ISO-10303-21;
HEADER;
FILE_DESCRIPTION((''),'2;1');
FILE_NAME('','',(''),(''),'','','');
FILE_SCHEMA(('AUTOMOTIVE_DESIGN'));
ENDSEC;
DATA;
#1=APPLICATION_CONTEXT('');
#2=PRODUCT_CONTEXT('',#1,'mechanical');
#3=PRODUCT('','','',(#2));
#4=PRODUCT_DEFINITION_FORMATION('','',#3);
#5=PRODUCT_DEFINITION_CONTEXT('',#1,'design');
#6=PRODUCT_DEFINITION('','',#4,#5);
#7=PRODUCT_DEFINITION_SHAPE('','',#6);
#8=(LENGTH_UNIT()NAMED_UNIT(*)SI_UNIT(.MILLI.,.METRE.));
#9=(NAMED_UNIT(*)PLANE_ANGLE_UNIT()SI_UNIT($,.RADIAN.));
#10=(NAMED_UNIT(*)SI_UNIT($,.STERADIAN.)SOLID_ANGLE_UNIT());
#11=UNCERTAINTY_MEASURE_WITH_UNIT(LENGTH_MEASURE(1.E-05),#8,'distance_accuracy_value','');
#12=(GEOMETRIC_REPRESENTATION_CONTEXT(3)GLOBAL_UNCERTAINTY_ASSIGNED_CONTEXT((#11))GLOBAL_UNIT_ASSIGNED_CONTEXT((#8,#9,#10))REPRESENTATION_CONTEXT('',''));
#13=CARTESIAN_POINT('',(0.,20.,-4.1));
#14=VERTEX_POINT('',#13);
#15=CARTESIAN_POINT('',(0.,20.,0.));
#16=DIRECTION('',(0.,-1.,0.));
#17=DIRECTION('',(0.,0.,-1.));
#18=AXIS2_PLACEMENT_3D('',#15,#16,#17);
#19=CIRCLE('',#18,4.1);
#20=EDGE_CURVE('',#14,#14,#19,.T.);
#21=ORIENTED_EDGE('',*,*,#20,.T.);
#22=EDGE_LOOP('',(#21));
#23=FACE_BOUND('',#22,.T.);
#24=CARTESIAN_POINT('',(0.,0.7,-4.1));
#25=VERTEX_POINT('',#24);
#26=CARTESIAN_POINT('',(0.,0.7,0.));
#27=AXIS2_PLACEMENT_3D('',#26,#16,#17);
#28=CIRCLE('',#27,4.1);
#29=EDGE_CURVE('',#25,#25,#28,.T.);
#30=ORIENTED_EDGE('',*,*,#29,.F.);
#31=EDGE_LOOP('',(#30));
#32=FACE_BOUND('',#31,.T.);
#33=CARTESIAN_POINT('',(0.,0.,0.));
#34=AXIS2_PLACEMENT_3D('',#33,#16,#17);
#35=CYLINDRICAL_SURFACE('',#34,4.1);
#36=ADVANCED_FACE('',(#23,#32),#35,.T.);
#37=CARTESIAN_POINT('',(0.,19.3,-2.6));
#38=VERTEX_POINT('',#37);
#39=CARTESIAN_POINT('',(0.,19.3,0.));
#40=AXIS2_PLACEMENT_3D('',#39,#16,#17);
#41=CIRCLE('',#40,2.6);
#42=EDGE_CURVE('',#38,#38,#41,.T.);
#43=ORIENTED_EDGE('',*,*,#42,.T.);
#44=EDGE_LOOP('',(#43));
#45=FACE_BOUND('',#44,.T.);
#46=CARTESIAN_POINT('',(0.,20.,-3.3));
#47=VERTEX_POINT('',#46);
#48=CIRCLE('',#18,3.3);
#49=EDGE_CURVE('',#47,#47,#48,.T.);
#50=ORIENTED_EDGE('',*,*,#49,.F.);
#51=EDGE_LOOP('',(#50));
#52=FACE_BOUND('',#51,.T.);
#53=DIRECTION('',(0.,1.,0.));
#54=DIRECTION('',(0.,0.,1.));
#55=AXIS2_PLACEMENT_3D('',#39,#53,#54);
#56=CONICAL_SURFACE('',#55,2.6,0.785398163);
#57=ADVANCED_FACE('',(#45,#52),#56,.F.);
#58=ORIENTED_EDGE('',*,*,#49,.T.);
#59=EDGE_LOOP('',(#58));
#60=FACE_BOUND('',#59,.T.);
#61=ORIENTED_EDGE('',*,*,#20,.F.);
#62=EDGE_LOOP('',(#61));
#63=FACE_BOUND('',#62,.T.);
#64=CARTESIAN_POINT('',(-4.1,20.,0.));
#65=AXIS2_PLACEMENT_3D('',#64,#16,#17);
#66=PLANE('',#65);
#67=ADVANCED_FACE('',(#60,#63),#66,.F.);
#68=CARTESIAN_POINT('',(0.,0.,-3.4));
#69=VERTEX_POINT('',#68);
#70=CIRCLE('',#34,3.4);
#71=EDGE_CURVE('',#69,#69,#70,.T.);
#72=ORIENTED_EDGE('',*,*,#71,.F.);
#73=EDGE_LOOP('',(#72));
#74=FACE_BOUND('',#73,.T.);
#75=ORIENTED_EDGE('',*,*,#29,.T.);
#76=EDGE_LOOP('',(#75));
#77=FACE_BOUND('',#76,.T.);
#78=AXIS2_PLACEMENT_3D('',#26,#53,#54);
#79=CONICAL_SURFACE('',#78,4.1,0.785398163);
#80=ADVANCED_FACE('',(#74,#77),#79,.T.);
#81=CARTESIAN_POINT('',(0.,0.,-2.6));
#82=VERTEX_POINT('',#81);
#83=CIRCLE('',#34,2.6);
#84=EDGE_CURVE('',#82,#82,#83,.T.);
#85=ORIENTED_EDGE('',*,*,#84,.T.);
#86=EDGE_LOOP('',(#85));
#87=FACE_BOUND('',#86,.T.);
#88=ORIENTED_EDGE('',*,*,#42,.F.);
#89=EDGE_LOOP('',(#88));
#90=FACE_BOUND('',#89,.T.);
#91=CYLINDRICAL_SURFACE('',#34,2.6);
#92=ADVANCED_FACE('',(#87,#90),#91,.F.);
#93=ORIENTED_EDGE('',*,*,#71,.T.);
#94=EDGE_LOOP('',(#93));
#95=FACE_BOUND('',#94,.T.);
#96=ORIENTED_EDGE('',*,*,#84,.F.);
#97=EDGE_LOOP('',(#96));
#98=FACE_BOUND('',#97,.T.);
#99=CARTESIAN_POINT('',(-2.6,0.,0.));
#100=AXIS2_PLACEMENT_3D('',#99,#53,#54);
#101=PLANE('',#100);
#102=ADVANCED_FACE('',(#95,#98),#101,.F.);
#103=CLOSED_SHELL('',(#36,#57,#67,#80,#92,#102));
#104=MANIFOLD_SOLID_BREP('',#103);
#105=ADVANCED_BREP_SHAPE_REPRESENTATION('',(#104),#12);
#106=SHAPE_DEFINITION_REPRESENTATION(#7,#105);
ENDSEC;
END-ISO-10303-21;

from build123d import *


with BuildPart() as part:
    # Sketch1 → Revolve1 (revolve)
    with BuildSketch(Plane.XY, mode=Mode.PRIVATE) as revolve1_sk:
        Polygon((-2.6, 0), (-3.4, 0), (-4.1, 0.7), (-4.1, 20), (-3.3, 20), (-2.6, 19.3), align=None)
    revolve(revolve1_sk.sketch.rotate(Axis((0, 0, 0), (0, 1, 0)), 270), axis=Axis((0, 0, 0), (0, 1, 0)))


solid = part.part
